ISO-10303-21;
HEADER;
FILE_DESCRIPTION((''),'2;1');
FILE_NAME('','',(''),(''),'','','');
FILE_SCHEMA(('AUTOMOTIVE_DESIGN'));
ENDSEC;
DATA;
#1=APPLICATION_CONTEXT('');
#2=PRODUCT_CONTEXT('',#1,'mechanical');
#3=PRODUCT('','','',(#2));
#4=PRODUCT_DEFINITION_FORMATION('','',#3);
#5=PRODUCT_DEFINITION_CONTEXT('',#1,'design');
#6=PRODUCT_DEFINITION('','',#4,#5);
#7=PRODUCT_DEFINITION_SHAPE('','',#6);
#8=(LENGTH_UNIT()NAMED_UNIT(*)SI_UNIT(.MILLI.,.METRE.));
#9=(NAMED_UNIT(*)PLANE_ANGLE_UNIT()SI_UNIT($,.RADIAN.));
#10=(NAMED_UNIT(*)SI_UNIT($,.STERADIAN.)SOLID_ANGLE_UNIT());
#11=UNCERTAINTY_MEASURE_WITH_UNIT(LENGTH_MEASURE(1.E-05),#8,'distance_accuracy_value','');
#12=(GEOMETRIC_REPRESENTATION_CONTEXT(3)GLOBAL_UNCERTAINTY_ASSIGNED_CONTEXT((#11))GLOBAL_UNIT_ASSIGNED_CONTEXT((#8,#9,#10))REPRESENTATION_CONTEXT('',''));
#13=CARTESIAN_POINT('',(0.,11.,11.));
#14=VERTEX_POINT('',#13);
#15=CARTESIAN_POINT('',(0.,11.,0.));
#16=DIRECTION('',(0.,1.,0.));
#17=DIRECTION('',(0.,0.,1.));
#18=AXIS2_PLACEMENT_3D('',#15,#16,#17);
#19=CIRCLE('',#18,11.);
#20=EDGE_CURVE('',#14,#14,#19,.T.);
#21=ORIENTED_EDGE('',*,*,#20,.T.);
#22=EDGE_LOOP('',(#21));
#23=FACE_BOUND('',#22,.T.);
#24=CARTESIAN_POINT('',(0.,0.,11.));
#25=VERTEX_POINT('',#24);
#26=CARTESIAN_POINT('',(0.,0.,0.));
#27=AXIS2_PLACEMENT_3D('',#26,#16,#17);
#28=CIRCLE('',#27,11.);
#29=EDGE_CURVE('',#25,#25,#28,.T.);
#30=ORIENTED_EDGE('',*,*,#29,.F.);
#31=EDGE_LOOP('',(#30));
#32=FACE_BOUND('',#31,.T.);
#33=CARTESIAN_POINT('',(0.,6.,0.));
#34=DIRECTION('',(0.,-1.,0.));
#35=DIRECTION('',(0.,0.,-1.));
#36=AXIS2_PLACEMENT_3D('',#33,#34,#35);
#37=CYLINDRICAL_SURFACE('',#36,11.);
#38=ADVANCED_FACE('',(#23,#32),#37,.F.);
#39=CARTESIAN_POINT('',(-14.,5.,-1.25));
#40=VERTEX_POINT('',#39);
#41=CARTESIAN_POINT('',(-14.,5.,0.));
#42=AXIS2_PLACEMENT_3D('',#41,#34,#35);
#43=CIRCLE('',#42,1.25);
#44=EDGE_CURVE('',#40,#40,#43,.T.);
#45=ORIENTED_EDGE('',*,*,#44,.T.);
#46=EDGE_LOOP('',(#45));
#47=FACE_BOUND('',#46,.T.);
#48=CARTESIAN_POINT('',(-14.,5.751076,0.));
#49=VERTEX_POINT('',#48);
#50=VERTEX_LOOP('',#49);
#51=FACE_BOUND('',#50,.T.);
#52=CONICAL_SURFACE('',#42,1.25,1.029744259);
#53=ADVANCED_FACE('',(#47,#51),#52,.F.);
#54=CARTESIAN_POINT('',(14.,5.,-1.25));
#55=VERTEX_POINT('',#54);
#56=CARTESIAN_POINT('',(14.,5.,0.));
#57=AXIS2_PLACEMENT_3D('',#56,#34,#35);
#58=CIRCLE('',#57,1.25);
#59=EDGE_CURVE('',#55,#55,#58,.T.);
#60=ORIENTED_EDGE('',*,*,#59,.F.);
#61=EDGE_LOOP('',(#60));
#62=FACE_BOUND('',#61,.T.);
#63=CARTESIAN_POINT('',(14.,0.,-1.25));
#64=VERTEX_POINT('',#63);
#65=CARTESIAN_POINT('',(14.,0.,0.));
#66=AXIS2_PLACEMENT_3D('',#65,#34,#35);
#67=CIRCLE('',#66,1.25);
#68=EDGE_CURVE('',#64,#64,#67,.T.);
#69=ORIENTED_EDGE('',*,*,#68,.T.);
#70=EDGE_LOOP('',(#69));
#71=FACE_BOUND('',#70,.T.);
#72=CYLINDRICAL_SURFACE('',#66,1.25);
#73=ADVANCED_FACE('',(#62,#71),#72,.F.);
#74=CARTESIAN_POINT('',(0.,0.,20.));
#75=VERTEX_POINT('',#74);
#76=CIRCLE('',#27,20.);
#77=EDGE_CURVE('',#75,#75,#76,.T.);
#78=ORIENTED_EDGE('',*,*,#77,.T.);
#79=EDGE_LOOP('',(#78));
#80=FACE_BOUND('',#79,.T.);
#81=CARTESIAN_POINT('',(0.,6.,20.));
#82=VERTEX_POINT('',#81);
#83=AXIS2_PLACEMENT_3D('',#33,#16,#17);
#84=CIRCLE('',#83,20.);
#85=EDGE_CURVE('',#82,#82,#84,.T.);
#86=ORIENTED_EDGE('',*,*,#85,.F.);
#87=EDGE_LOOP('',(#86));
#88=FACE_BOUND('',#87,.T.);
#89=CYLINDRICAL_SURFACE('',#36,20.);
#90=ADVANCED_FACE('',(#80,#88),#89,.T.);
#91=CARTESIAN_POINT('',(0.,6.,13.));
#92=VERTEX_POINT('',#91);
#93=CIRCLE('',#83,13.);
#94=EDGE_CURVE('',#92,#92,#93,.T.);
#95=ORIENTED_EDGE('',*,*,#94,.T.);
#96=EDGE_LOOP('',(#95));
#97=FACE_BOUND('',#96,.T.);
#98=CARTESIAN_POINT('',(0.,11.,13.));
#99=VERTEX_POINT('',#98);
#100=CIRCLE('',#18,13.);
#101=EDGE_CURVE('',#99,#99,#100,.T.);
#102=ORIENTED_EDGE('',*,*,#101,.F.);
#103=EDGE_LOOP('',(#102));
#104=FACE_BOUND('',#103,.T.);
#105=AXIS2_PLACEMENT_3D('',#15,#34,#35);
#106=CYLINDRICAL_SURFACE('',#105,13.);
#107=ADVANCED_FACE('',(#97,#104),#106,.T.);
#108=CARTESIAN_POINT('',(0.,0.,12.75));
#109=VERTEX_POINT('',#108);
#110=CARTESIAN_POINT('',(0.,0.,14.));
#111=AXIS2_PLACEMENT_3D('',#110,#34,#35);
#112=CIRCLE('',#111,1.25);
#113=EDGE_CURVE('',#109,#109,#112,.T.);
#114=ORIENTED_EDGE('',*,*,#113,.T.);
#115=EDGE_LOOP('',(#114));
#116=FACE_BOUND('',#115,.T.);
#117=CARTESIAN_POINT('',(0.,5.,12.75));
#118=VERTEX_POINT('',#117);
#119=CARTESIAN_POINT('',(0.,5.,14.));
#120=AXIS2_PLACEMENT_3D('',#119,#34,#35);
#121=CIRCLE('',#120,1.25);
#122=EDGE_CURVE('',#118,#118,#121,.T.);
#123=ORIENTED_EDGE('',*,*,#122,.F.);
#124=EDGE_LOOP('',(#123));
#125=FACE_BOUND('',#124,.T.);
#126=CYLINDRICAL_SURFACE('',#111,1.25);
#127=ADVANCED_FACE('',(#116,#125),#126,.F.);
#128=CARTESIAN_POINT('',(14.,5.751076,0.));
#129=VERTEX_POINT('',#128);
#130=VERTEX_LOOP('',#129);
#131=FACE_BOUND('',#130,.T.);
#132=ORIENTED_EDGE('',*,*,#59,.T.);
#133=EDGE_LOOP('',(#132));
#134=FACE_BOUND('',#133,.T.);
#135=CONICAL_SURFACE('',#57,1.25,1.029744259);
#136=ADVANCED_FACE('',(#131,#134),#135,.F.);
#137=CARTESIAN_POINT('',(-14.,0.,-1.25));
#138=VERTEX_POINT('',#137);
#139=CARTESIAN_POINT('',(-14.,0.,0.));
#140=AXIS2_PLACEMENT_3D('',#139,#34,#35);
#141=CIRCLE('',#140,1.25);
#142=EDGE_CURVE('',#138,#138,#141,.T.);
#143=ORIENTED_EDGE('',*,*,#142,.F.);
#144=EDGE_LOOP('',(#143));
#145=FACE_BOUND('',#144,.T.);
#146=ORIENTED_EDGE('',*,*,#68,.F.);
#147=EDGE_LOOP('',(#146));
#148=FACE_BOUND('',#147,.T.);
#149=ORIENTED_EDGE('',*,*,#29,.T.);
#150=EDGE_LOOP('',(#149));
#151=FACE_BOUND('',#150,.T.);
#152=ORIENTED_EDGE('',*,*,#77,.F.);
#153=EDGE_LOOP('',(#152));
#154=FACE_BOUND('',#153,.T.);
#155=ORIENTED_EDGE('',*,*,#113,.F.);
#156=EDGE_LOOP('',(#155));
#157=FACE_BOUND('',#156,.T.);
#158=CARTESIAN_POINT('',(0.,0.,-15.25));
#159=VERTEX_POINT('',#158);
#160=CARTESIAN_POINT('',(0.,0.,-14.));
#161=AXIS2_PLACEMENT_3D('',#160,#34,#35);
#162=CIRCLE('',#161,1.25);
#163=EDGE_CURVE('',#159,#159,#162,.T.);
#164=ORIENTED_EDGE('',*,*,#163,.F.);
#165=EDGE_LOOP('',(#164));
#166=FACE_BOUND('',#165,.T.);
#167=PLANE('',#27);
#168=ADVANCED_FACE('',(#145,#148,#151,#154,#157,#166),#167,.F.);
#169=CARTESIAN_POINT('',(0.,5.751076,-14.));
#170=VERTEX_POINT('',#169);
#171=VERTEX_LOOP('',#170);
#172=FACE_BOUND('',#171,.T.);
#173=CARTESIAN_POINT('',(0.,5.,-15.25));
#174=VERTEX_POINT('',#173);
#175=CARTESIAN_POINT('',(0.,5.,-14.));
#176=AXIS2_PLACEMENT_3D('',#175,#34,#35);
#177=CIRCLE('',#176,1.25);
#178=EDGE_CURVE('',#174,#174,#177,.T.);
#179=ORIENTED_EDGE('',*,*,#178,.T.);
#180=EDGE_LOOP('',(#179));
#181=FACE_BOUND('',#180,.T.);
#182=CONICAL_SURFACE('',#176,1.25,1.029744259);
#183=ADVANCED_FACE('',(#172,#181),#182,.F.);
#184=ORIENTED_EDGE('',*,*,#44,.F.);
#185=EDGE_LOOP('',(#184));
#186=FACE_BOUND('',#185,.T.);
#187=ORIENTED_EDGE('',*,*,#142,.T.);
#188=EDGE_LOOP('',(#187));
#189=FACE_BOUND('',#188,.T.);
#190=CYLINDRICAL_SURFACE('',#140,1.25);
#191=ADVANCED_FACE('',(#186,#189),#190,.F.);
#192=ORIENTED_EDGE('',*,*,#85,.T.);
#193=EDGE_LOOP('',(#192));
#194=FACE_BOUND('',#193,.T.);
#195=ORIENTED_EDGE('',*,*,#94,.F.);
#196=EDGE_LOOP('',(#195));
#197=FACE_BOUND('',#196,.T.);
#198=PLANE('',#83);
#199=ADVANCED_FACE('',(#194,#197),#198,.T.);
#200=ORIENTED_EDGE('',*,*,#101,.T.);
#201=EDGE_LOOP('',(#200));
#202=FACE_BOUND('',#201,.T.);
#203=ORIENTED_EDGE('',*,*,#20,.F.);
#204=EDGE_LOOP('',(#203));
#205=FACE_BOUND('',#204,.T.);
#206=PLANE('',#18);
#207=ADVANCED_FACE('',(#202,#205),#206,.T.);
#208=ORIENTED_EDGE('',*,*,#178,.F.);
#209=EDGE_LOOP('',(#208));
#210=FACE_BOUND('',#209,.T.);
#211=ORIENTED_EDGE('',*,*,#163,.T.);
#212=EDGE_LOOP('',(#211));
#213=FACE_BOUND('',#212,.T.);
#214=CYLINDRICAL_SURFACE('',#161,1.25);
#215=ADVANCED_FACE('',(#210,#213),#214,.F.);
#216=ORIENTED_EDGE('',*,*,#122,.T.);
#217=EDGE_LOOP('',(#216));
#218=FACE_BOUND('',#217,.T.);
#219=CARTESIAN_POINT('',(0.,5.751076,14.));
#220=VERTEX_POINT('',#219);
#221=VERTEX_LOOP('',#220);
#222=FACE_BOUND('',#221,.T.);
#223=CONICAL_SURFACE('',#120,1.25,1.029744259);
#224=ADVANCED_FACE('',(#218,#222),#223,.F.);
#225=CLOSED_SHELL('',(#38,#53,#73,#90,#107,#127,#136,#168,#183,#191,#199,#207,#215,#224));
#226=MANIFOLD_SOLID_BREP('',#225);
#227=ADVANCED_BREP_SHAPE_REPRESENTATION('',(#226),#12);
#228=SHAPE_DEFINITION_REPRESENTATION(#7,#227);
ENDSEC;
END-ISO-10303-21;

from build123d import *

# Parameters (mm, degrees)
SKETCH_1_R             = 20
SKETCH_1_R_2           = 11
EXTRUDE_1_DEPTH        = 6
SKETCH_2_R             = 13
SKETCH_2_R_2           = 11
EXTRUDE_2_DEPTH        = 5
HOLE_WIZARD_M3_1_D     = 2.5
HOLE_WIZARD_M3_1_DEPTH = 5
HOLE_WIZARD_M3_1_TIP   = 0.751075774


with BuildPart() as part:
    # 草图1 → 凸台-拉伸1 (new body)
    with BuildSketch(Plane(origin=(0, 0, 0), x_dir=(1, 0, 0), z_dir=(0, 1, 0))):
        with Locations(Location((0, 0, 0), (0, 0, 270))):
            Circle(SKETCH_1_R)
        with Locations(Location((0, 0, 0), (0, 0, 270))):
            Circle(SKETCH_1_R_2, mode=Mode.SUBTRACT)
    extrude(amount=EXTRUDE_1_DEPTH)

    # 草图2 → 凸台-拉伸2 (add)
    with BuildSketch(Plane(origin=(0, 6, 0), x_dir=(1, 0, 0), z_dir=(0, 1, 0))):
        with Locations(Location((0, 0, 0), (0, 0, 270))):
            Circle(SKETCH_2_R)
        with Locations(Location((0, 0, 0), (0, 0, 270))):
            Circle(SKETCH_2_R_2, mode=Mode.SUBTRACT)
    extrude(amount=EXTRUDE_2_DEPTH)

    # M3 螺纹孔1
    with Locations(Plane(origin=(0, 0, 0), x_dir=(-1, 0, 0), z_dir=(0, -1, 0))):
        with Locations((-14, 0), (0, -14), (14, 0), (0, 14)):
            Hole(HOLE_WIZARD_M3_1_D / 2, depth=HOLE_WIZARD_M3_1_DEPTH)
            with Locations((0, 0, -(HOLE_WIZARD_M3_1_DEPTH + HOLE_WIZARD_M3_1_TIP / 2))):  # 118° drill point
                Cone(0, HOLE_WIZARD_M3_1_D / 2, HOLE_WIZARD_M3_1_TIP, mode=Mode.SUBTRACT)


solid = part.part
